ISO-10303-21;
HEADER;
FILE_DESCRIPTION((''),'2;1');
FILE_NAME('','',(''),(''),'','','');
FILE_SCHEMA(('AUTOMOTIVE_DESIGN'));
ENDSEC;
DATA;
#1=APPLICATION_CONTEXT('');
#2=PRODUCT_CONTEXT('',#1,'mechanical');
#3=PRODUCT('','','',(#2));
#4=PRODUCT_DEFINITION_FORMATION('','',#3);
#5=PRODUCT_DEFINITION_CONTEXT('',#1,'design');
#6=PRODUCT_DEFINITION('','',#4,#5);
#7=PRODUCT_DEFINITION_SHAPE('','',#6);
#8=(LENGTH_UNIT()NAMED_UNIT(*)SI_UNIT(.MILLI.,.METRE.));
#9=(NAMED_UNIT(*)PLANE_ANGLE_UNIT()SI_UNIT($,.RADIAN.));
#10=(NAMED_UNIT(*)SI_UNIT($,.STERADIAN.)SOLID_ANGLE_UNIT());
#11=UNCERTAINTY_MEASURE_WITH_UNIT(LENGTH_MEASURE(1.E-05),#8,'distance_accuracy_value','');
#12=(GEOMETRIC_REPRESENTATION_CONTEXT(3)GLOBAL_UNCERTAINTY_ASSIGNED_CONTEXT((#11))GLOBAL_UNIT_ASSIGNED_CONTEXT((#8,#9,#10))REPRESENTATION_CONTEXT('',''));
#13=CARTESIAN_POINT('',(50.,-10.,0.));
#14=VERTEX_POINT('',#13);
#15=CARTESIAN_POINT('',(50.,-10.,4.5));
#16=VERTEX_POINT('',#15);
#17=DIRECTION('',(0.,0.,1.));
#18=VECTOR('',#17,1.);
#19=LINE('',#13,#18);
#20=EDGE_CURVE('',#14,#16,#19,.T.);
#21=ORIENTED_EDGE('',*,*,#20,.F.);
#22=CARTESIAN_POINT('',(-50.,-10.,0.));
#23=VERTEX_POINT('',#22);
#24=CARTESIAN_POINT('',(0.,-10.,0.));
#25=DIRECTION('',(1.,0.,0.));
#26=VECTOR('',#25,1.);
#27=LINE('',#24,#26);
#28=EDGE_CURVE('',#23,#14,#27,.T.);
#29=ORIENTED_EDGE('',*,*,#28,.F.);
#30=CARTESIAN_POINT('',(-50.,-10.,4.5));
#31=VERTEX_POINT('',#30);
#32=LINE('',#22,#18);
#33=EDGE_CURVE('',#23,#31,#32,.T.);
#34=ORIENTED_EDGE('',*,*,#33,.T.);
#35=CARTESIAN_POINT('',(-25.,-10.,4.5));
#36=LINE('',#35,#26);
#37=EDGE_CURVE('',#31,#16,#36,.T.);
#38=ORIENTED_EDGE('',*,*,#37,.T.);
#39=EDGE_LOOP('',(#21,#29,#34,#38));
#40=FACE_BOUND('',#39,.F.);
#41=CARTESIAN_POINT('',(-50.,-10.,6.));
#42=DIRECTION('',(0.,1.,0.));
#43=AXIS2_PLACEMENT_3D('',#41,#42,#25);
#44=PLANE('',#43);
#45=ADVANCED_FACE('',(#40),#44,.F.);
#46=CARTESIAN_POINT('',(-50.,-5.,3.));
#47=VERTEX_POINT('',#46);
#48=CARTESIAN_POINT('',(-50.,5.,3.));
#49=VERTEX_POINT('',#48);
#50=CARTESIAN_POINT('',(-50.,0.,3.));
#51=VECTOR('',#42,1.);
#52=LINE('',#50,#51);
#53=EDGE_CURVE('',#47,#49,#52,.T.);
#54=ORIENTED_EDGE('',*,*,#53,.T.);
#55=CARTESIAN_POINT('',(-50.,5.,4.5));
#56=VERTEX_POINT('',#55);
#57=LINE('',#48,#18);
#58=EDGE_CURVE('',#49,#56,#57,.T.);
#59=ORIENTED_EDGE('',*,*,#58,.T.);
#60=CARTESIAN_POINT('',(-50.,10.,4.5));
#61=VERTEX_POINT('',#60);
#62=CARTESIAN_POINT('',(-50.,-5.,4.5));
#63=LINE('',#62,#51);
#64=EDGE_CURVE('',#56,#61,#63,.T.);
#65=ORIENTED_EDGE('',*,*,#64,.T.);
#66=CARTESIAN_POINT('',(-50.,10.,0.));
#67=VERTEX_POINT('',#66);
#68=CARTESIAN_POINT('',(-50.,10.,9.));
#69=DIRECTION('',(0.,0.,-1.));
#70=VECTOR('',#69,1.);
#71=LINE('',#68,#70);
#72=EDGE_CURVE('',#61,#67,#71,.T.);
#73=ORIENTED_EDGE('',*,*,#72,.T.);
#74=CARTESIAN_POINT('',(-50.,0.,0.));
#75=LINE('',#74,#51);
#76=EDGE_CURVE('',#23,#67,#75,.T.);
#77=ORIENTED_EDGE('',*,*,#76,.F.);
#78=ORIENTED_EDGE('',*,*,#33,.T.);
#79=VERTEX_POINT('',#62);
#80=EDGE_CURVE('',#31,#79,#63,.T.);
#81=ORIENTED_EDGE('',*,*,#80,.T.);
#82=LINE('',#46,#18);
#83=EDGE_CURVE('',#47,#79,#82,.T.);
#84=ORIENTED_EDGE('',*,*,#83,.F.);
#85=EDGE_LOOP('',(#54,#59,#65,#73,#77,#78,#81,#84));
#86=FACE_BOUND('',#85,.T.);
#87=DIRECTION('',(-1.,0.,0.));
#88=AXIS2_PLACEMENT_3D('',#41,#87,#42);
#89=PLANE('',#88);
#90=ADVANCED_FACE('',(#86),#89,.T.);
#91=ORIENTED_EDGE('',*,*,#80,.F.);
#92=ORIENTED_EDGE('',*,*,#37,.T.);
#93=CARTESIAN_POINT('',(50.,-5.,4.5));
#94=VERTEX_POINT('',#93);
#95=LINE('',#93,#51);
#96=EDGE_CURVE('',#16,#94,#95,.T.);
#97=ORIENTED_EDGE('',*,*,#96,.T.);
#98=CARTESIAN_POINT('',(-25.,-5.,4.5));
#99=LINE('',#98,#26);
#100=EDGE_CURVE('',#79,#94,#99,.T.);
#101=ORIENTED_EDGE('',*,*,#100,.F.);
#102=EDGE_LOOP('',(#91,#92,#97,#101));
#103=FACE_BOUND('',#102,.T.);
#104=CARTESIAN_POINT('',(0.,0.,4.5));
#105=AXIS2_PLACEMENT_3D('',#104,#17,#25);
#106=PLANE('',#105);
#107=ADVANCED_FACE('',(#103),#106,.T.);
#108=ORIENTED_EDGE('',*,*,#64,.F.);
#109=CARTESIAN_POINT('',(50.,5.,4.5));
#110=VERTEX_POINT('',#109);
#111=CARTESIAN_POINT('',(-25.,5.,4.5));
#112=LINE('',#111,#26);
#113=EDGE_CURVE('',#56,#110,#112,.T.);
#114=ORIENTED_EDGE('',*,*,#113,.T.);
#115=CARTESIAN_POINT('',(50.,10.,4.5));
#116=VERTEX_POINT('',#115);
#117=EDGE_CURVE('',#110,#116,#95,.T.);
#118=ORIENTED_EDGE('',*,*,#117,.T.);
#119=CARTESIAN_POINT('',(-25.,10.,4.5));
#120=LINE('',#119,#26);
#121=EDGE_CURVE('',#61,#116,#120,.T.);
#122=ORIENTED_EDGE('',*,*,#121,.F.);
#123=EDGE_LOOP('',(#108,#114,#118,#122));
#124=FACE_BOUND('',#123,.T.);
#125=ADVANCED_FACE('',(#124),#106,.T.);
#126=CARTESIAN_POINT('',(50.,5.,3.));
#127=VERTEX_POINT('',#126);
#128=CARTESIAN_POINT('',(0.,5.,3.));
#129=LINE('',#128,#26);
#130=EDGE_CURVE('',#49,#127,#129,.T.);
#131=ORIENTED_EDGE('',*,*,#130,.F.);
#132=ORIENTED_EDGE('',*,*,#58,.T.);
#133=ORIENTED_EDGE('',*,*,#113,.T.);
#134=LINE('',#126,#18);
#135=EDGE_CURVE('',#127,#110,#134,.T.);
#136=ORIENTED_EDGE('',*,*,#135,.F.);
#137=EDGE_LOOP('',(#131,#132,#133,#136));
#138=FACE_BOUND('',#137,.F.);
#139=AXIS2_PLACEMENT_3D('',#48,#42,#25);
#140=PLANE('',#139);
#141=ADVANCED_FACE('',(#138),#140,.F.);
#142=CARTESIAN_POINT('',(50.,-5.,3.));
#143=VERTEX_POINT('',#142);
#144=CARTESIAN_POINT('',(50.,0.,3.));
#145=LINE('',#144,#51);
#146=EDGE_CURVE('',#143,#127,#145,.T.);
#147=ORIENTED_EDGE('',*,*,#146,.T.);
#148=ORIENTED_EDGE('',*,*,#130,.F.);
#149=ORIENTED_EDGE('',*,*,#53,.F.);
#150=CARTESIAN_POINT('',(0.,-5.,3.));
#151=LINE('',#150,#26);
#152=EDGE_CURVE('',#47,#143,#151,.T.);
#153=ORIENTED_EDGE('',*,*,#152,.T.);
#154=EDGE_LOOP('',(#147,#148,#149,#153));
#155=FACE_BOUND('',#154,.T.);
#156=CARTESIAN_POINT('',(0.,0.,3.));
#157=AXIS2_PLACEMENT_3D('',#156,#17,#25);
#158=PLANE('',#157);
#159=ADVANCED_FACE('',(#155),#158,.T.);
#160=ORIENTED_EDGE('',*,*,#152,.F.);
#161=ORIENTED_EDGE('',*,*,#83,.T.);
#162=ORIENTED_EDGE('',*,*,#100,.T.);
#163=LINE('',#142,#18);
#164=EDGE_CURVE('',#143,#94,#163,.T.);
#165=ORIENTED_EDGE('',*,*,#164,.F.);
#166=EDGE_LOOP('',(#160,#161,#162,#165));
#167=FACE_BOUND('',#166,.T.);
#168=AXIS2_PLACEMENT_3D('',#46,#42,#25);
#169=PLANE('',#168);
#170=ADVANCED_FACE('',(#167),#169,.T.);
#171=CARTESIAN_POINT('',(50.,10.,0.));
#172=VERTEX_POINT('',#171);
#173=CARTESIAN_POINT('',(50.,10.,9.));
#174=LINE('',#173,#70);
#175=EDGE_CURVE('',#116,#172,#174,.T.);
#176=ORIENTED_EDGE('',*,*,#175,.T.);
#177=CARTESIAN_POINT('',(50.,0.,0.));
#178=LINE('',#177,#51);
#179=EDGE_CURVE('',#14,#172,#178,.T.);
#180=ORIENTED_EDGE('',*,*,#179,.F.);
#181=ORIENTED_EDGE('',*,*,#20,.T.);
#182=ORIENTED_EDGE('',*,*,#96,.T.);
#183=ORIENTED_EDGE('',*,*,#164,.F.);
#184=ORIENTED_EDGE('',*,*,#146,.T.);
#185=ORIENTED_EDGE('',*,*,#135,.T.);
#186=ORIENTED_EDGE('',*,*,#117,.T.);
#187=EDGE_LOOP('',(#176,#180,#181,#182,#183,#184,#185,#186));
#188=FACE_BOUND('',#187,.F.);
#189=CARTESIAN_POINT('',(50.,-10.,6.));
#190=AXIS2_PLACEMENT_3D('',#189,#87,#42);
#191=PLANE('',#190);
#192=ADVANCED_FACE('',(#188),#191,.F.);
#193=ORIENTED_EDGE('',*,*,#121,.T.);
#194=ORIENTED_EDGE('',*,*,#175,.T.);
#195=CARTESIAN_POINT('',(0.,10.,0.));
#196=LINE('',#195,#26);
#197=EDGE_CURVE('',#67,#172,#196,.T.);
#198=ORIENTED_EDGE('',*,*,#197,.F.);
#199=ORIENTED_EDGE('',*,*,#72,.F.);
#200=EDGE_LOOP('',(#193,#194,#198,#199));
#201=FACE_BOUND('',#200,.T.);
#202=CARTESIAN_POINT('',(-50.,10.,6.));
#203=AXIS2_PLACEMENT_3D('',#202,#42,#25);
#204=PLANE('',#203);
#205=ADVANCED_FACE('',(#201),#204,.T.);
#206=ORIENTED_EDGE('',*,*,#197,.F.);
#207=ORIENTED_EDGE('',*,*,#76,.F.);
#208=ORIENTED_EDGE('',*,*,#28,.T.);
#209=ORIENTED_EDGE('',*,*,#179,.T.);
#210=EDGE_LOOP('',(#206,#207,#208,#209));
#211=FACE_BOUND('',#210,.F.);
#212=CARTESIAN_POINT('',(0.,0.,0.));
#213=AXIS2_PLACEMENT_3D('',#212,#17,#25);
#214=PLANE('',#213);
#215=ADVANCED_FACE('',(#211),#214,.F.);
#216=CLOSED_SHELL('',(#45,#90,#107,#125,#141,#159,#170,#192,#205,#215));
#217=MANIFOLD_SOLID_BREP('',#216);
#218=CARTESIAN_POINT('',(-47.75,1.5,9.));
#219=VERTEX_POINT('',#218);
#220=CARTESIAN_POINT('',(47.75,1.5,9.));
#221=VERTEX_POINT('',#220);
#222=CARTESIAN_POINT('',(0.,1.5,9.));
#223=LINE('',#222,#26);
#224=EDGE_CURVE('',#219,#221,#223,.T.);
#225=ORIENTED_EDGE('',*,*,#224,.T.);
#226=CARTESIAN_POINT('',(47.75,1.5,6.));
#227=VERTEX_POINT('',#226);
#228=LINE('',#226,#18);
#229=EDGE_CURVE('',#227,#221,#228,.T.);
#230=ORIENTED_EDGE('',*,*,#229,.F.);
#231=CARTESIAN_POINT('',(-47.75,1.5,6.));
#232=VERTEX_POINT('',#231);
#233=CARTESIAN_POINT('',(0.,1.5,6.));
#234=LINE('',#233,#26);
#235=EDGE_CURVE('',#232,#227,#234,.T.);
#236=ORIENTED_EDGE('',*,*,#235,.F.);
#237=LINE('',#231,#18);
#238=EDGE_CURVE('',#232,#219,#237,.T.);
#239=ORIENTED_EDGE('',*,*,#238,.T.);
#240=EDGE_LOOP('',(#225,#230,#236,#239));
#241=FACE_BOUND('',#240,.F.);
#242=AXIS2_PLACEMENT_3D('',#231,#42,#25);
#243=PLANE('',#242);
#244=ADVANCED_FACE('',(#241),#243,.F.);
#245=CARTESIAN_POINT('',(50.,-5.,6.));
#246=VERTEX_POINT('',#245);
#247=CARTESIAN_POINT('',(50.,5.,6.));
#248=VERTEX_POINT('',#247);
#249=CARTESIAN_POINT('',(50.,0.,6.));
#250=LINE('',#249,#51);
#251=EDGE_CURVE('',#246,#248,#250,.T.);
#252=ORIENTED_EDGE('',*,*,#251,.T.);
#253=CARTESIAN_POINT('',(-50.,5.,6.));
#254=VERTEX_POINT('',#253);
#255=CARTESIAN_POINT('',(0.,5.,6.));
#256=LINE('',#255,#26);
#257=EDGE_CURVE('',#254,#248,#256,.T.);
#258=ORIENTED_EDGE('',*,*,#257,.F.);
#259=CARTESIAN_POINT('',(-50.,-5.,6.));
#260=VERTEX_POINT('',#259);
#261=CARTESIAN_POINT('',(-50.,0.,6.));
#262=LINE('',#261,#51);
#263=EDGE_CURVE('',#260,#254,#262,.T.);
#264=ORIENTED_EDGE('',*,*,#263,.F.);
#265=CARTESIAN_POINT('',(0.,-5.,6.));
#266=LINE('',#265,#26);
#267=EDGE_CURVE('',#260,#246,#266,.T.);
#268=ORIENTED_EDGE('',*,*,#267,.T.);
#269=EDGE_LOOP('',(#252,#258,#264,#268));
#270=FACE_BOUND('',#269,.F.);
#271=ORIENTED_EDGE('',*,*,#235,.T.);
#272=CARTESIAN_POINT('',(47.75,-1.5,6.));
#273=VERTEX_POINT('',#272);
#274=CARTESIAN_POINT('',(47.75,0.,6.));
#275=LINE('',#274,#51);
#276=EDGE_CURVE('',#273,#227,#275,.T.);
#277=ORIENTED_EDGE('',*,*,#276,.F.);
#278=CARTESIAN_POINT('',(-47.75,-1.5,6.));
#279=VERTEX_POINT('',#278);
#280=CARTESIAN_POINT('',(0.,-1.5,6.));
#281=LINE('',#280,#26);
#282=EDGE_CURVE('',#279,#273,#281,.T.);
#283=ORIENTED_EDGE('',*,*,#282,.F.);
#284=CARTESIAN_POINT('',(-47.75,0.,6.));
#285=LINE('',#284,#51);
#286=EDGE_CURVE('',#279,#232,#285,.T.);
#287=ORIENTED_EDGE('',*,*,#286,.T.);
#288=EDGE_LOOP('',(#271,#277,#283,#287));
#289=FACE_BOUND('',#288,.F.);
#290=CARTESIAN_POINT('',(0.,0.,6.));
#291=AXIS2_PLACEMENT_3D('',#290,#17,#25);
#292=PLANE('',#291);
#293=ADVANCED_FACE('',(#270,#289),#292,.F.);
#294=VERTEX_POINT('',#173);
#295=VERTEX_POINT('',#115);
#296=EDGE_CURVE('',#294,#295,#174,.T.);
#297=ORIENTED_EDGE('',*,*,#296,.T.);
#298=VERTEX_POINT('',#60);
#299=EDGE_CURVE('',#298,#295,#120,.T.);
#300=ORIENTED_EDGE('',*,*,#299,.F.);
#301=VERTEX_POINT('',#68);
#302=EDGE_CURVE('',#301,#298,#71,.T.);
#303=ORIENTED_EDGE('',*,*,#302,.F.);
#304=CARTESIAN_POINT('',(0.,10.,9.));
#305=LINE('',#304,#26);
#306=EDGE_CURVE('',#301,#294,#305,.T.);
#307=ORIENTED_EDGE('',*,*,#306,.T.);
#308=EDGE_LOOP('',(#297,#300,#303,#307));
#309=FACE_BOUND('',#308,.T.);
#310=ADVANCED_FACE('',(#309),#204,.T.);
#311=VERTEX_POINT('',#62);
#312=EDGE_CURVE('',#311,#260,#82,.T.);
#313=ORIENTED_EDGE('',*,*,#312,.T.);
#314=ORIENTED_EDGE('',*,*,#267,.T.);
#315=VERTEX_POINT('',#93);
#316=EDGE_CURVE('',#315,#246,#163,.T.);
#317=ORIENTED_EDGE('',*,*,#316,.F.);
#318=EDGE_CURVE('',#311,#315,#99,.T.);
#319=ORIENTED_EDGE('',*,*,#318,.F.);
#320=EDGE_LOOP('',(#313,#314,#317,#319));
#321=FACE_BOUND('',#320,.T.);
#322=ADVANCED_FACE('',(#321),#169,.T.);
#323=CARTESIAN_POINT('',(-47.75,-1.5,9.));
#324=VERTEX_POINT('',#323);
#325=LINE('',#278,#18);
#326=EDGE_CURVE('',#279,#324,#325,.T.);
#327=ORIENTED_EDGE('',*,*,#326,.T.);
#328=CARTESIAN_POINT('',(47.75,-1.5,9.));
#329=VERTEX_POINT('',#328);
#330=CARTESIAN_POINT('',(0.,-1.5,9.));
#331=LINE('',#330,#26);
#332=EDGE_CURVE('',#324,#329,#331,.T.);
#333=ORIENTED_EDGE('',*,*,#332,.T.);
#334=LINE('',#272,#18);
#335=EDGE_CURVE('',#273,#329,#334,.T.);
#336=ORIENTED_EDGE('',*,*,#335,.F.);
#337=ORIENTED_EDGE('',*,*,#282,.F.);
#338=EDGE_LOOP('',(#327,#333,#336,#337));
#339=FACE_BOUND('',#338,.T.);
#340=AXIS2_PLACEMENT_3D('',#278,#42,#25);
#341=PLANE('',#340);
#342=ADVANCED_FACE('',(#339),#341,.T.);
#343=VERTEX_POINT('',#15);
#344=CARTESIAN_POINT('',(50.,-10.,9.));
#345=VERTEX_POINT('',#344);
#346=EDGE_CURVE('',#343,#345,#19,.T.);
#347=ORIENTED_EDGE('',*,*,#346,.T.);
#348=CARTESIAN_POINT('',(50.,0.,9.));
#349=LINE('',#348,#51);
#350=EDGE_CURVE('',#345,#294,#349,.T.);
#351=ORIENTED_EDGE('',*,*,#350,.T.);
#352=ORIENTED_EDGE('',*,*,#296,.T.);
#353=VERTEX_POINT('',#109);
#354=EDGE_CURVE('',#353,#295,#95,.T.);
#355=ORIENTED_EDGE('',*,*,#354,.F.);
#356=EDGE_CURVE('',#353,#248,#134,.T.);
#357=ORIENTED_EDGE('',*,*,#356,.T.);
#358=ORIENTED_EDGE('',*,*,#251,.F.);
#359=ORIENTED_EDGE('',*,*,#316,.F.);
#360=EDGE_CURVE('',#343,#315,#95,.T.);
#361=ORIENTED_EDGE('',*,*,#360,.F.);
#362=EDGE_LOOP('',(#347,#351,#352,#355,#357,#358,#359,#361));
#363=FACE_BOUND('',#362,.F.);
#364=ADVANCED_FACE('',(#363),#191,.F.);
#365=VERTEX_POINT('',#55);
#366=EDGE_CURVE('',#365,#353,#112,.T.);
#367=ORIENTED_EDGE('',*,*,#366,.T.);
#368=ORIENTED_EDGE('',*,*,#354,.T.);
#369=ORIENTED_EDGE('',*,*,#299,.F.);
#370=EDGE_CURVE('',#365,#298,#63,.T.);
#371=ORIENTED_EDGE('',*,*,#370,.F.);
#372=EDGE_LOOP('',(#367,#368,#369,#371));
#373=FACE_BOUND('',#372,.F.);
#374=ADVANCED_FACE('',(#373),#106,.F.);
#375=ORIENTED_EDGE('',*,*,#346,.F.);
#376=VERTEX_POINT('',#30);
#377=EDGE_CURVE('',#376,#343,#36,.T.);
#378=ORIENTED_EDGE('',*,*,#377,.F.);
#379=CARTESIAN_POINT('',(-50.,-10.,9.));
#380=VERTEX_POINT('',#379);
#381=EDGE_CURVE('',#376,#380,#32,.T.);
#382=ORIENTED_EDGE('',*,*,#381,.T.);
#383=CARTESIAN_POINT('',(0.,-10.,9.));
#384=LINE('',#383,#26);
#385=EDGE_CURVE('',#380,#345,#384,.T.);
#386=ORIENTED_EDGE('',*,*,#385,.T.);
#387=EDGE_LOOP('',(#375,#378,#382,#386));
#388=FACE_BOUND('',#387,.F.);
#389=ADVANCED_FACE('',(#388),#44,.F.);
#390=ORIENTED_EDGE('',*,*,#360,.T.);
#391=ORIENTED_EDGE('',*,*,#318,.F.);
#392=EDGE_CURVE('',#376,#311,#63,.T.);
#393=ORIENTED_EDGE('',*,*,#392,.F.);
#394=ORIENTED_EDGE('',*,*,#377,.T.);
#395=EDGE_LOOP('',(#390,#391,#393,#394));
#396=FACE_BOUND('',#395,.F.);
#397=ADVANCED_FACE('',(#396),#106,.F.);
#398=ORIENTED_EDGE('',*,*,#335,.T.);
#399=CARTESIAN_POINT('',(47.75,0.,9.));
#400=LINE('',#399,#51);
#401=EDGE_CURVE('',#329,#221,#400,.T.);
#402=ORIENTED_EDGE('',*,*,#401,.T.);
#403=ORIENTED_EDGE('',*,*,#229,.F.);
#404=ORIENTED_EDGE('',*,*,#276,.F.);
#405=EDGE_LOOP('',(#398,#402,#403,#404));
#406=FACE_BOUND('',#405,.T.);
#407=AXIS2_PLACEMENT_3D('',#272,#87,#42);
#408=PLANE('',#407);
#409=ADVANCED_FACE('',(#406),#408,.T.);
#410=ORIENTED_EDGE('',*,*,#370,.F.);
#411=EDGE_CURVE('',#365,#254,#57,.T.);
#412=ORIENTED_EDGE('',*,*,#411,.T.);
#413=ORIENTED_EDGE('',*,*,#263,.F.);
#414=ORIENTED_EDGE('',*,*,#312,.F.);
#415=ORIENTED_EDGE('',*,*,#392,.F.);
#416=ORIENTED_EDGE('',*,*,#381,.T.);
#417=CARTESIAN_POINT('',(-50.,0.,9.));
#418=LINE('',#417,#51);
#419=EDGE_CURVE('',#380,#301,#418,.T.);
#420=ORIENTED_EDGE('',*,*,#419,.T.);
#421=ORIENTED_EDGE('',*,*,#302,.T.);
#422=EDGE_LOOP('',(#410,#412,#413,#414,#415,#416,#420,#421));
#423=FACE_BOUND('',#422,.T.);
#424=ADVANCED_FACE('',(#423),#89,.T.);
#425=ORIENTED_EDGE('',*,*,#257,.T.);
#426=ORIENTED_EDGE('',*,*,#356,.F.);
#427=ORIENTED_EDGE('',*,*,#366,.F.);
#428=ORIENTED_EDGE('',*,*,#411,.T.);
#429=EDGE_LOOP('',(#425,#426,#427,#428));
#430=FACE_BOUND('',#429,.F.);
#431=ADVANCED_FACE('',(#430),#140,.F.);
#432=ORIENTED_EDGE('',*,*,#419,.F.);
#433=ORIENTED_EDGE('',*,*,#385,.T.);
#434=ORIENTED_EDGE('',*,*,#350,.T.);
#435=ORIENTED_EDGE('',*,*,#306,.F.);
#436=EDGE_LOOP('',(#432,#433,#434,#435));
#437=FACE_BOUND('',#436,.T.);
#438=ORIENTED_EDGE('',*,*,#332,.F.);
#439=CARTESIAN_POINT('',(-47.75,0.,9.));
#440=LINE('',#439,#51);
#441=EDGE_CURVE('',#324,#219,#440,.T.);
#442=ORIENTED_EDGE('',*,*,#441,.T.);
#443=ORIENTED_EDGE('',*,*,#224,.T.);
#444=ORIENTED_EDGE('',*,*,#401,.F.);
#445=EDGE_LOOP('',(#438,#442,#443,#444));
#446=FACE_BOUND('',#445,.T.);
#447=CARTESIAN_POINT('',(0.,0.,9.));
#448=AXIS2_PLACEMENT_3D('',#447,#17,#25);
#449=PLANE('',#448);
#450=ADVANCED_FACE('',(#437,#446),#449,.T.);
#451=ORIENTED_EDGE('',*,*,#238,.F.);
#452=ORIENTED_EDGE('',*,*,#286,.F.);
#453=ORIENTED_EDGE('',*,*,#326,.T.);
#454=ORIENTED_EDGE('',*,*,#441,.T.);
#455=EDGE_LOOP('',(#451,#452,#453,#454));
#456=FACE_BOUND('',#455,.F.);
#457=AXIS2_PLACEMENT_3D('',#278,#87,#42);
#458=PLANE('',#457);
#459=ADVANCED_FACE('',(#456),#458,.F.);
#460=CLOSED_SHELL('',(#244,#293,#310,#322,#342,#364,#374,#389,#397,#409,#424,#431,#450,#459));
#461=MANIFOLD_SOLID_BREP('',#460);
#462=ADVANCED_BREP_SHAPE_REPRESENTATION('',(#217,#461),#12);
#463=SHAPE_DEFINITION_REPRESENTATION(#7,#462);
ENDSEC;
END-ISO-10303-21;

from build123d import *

# Parameters (mm, degrees)
BOX_BOTTOM_HALF_0_W     = 102
BOX_BOTTOM_HALF_0_H     = 22
BOX_BOTTOM_HALF_0_DEPTH = 5.5
SKETCH_W                = 100
SKETCH_H                = 20
PAD_DEPTH               = 3
SKETCH001_W             = 100
SKETCH001_H             = 5
PAD001_DEPTH            = 3
SKETCH002_W             = 100
SKETCH002_H             = 20
SKETCH002_W_2           = 95.5
SKETCH002_H_2           = 3
PAD002_DEPTH            = 3


with BuildPart() as box_bottom_half_0_body:
    # box_bottom_half_0 → box_bottom_half_0 (new body)
    with BuildSketch(Plane(origin=(-51, -11, -1), x_dir=(1, 0, 0), z_dir=(0, 0, 1))):
        with Locations((51, 11)):
            Rectangle(BOX_BOTTOM_HALF_0_W, BOX_BOTTOM_HALF_0_H)
    extrude(amount=BOX_BOTTOM_HALF_0_DEPTH)


with BuildPart() as body:
    # Sketch → Pad (new body)
    with BuildSketch(Plane.XY):
        Rectangle(SKETCH_W, SKETCH_H)
    extrude(amount=PAD_DEPTH)

    # Sketch001 (on Face6 of Pad) → Pad001 (join)
    with BuildSketch(Plane.XY.offset(3)):
        with Locations((0, 7.5)):
            Rectangle(SKETCH001_W, SKETCH001_H)
        with Locations((0, -7.5)):
            Rectangle(SKETCH001_W, SKETCH001_H)
    extrude(amount=PAD001_DEPTH)

    # Sketch002 (on Face12 of Pad001) → Pad002 (join)
    with BuildSketch(Plane.XY.offset(6)):
        Rectangle(SKETCH002_W, SKETCH002_H)
        Rectangle(SKETCH002_W_2, SKETCH002_H_2, mode=Mode.SUBTRACT)
    extrude(amount=PAD002_DEPTH)


with BuildPart() as bottom_half_0_body:
    # bottom_half_0 base: copy of Body
    add(body.part)

    # bottom_half_0: intersect box_bottom_half_0 body
    add(box_bottom_half_0_body.part, mode=Mode.INTERSECT)


with BuildPart() as top_half_0_body:
    # top_half_0 base: copy of Body
    add(body.part)

    # top_half_0: cut box_bottom_half_0 body
    add(box_bottom_half_0_body.part, mode=Mode.SUBTRACT)


solid = Compound([bottom_half_0_body.part, top_half_0_body.part])
